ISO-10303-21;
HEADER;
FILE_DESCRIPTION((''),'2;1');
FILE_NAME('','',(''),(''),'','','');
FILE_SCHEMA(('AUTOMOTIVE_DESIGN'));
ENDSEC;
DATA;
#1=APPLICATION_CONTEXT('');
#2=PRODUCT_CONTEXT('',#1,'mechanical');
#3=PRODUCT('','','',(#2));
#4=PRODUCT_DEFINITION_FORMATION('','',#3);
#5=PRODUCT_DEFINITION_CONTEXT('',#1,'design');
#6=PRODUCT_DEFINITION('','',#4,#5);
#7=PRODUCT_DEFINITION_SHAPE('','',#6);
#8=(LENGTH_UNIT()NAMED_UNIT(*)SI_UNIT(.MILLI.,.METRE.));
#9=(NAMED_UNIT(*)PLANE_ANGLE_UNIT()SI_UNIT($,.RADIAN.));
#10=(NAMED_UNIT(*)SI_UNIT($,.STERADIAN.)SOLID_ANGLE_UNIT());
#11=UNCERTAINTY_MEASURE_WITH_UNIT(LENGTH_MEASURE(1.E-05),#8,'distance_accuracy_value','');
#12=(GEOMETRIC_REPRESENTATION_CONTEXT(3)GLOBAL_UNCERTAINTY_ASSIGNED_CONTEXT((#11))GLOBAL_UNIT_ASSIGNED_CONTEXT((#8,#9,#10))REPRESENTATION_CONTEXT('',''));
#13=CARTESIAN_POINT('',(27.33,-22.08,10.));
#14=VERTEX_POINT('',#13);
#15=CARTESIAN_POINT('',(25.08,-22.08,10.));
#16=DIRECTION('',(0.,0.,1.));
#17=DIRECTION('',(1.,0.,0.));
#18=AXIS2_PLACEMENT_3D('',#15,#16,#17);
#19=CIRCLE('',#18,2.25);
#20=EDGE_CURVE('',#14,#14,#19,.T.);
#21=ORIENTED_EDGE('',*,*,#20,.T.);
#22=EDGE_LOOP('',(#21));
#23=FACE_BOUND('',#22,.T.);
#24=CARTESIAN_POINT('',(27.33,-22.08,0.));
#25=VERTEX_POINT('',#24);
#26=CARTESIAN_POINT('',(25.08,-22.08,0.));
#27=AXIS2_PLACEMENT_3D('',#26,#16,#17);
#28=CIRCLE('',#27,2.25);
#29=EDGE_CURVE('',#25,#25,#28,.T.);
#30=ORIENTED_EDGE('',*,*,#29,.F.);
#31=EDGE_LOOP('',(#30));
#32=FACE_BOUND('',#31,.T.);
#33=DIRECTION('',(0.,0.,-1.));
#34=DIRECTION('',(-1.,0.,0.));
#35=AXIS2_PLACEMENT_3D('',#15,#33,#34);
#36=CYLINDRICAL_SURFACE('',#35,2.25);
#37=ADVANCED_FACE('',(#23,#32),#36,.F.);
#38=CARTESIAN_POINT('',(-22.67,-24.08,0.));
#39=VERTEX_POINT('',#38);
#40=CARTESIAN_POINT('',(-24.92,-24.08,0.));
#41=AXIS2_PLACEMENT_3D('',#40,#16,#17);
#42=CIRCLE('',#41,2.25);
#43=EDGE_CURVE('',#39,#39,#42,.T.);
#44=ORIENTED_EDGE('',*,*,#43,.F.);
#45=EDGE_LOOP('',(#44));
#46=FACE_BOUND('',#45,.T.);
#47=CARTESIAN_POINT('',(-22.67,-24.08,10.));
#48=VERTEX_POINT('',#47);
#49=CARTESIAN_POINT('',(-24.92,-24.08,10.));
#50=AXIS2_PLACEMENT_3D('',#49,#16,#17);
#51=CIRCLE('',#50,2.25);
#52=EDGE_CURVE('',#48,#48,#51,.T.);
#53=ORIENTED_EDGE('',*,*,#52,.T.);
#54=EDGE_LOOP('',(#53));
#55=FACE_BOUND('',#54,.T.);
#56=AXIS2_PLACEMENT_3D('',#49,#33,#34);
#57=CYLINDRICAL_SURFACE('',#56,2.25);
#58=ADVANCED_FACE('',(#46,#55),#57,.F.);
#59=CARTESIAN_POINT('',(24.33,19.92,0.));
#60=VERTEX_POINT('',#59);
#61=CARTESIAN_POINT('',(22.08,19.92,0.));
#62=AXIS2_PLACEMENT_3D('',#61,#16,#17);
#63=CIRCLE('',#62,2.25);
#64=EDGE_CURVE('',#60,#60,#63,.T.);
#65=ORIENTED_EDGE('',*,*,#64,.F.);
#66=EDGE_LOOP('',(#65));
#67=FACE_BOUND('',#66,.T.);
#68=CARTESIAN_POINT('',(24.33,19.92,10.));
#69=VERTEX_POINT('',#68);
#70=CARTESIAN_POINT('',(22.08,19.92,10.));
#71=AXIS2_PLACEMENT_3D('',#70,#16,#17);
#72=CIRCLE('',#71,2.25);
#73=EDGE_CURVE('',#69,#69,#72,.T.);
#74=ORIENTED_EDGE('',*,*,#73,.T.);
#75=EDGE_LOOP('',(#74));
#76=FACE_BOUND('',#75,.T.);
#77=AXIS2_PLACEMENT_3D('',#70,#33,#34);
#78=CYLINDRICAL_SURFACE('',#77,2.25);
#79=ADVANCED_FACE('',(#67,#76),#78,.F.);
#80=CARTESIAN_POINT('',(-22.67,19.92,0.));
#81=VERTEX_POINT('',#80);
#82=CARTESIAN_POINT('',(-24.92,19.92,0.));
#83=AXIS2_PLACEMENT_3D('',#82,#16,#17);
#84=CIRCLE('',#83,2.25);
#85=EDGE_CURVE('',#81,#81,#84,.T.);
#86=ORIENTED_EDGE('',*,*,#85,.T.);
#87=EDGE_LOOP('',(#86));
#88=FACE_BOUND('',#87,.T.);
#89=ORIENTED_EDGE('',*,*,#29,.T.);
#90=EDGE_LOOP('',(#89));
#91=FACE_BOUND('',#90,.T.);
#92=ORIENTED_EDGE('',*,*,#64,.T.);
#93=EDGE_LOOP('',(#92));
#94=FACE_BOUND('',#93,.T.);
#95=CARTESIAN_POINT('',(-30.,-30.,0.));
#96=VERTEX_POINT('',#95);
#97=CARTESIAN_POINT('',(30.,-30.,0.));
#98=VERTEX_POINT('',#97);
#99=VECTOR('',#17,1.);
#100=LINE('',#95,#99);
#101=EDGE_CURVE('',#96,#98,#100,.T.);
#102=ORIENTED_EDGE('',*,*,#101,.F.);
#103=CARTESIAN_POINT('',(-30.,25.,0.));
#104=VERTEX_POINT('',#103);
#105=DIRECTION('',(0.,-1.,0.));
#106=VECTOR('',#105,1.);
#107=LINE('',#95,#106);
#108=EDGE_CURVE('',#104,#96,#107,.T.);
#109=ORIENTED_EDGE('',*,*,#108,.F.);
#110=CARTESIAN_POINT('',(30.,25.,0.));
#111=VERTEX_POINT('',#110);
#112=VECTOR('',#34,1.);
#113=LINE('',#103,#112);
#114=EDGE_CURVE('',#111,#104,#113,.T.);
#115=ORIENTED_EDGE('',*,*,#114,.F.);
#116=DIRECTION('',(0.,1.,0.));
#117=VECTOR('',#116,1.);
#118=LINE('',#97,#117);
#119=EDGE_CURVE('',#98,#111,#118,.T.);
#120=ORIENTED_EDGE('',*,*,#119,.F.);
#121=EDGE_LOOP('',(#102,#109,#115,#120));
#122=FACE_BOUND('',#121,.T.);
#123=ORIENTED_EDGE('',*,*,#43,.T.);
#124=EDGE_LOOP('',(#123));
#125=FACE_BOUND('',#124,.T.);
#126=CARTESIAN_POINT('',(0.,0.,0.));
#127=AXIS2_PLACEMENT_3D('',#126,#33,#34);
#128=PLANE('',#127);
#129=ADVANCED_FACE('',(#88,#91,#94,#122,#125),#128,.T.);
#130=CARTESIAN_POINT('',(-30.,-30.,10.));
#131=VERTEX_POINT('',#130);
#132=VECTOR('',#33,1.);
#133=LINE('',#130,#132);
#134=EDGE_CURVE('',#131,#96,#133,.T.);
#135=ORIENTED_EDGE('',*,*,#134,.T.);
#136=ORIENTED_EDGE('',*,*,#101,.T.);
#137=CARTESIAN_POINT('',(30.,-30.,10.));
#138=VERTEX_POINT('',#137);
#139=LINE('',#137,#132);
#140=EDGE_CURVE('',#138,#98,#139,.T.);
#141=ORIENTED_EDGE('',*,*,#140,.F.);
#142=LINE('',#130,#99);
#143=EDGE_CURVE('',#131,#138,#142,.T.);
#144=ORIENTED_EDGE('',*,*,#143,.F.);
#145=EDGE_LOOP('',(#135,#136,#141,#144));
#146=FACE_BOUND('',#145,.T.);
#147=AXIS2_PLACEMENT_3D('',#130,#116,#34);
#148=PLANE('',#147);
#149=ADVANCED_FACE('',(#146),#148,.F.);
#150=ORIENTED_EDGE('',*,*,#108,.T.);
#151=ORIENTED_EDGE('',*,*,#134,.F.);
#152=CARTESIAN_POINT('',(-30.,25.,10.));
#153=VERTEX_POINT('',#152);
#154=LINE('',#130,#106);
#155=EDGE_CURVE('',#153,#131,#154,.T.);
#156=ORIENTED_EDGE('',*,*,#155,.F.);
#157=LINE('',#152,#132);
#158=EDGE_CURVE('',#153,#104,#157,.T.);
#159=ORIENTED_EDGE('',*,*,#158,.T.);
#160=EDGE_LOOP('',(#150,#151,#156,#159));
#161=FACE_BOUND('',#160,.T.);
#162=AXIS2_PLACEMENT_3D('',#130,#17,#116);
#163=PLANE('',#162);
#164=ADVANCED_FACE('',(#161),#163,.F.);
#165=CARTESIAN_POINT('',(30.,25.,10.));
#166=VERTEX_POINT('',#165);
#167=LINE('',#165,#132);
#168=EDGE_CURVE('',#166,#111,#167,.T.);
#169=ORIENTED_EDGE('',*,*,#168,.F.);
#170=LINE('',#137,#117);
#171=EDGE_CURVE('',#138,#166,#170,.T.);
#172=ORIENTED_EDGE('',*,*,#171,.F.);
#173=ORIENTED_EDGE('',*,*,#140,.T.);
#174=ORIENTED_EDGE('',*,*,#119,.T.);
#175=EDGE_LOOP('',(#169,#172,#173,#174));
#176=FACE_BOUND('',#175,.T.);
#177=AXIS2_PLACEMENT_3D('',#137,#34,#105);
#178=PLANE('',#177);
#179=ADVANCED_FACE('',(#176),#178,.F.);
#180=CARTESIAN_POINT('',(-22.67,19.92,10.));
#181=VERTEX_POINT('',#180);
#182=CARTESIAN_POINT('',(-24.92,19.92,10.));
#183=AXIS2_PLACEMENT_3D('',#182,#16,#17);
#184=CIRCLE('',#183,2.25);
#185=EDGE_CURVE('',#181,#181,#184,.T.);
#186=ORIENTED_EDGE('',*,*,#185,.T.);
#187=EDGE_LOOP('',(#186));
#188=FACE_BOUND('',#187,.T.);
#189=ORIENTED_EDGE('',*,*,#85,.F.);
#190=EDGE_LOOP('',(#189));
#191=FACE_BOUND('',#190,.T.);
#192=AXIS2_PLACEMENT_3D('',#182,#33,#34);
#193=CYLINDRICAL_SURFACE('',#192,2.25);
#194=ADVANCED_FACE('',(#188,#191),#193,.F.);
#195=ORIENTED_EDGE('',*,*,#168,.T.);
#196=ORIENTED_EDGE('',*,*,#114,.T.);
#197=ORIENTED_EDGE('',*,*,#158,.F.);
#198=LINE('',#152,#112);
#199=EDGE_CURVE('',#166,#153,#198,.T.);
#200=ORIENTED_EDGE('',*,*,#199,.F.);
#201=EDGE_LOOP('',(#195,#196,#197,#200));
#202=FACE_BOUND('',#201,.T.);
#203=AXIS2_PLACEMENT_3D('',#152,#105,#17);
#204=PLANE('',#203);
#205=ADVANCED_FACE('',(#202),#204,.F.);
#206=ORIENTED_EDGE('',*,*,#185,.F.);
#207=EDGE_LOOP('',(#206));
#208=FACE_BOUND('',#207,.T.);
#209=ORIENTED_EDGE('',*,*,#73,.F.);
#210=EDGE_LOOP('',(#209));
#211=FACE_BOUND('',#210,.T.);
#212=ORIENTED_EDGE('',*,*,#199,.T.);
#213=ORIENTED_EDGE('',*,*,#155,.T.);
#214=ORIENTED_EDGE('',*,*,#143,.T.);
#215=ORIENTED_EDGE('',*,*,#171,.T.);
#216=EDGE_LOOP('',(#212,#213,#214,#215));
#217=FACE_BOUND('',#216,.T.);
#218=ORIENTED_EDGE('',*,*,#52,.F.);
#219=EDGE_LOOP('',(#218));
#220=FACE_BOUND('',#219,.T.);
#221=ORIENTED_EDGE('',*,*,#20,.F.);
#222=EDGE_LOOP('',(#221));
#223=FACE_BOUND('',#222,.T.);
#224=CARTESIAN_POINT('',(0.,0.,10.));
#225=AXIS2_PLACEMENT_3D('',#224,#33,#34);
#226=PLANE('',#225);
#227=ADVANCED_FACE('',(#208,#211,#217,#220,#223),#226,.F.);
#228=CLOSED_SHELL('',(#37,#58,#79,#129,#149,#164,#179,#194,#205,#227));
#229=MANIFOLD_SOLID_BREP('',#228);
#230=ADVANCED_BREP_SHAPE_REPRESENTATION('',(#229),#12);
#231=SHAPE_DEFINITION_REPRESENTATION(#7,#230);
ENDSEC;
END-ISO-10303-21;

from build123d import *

# Parameters (mm, degrees)
SKETCH1_W           = 59.999999888
SKETCH1_H           = 55
SKETCH1_R           = 2.25
BOSS_EXTRUDE1_DEPTH = 10


with BuildPart() as part:
    # Sketch1 → Boss-Extrude1 (new body)
    with BuildSketch(Plane.XY):
        with Locations((0, -2.5)):
            Rectangle(SKETCH1_W, SKETCH1_H)
        with Locations((-24.919999944, 19.92)):
            Circle(SKETCH1_R, mode=Mode.SUBTRACT)
        with Locations((-24.919999944, -24.08)):
            Circle(SKETCH1_R, mode=Mode.SUBTRACT)
        with Locations((25.080000056, -22.08)):
            Circle(SKETCH1_R, mode=Mode.SUBTRACT)
        with Locations((22.080000056, 19.92)):
            Circle(SKETCH1_R, mode=Mode.SUBTRACT)
    extrude(amount=BOSS_EXTRUDE1_DEPTH)


solid = part.part
